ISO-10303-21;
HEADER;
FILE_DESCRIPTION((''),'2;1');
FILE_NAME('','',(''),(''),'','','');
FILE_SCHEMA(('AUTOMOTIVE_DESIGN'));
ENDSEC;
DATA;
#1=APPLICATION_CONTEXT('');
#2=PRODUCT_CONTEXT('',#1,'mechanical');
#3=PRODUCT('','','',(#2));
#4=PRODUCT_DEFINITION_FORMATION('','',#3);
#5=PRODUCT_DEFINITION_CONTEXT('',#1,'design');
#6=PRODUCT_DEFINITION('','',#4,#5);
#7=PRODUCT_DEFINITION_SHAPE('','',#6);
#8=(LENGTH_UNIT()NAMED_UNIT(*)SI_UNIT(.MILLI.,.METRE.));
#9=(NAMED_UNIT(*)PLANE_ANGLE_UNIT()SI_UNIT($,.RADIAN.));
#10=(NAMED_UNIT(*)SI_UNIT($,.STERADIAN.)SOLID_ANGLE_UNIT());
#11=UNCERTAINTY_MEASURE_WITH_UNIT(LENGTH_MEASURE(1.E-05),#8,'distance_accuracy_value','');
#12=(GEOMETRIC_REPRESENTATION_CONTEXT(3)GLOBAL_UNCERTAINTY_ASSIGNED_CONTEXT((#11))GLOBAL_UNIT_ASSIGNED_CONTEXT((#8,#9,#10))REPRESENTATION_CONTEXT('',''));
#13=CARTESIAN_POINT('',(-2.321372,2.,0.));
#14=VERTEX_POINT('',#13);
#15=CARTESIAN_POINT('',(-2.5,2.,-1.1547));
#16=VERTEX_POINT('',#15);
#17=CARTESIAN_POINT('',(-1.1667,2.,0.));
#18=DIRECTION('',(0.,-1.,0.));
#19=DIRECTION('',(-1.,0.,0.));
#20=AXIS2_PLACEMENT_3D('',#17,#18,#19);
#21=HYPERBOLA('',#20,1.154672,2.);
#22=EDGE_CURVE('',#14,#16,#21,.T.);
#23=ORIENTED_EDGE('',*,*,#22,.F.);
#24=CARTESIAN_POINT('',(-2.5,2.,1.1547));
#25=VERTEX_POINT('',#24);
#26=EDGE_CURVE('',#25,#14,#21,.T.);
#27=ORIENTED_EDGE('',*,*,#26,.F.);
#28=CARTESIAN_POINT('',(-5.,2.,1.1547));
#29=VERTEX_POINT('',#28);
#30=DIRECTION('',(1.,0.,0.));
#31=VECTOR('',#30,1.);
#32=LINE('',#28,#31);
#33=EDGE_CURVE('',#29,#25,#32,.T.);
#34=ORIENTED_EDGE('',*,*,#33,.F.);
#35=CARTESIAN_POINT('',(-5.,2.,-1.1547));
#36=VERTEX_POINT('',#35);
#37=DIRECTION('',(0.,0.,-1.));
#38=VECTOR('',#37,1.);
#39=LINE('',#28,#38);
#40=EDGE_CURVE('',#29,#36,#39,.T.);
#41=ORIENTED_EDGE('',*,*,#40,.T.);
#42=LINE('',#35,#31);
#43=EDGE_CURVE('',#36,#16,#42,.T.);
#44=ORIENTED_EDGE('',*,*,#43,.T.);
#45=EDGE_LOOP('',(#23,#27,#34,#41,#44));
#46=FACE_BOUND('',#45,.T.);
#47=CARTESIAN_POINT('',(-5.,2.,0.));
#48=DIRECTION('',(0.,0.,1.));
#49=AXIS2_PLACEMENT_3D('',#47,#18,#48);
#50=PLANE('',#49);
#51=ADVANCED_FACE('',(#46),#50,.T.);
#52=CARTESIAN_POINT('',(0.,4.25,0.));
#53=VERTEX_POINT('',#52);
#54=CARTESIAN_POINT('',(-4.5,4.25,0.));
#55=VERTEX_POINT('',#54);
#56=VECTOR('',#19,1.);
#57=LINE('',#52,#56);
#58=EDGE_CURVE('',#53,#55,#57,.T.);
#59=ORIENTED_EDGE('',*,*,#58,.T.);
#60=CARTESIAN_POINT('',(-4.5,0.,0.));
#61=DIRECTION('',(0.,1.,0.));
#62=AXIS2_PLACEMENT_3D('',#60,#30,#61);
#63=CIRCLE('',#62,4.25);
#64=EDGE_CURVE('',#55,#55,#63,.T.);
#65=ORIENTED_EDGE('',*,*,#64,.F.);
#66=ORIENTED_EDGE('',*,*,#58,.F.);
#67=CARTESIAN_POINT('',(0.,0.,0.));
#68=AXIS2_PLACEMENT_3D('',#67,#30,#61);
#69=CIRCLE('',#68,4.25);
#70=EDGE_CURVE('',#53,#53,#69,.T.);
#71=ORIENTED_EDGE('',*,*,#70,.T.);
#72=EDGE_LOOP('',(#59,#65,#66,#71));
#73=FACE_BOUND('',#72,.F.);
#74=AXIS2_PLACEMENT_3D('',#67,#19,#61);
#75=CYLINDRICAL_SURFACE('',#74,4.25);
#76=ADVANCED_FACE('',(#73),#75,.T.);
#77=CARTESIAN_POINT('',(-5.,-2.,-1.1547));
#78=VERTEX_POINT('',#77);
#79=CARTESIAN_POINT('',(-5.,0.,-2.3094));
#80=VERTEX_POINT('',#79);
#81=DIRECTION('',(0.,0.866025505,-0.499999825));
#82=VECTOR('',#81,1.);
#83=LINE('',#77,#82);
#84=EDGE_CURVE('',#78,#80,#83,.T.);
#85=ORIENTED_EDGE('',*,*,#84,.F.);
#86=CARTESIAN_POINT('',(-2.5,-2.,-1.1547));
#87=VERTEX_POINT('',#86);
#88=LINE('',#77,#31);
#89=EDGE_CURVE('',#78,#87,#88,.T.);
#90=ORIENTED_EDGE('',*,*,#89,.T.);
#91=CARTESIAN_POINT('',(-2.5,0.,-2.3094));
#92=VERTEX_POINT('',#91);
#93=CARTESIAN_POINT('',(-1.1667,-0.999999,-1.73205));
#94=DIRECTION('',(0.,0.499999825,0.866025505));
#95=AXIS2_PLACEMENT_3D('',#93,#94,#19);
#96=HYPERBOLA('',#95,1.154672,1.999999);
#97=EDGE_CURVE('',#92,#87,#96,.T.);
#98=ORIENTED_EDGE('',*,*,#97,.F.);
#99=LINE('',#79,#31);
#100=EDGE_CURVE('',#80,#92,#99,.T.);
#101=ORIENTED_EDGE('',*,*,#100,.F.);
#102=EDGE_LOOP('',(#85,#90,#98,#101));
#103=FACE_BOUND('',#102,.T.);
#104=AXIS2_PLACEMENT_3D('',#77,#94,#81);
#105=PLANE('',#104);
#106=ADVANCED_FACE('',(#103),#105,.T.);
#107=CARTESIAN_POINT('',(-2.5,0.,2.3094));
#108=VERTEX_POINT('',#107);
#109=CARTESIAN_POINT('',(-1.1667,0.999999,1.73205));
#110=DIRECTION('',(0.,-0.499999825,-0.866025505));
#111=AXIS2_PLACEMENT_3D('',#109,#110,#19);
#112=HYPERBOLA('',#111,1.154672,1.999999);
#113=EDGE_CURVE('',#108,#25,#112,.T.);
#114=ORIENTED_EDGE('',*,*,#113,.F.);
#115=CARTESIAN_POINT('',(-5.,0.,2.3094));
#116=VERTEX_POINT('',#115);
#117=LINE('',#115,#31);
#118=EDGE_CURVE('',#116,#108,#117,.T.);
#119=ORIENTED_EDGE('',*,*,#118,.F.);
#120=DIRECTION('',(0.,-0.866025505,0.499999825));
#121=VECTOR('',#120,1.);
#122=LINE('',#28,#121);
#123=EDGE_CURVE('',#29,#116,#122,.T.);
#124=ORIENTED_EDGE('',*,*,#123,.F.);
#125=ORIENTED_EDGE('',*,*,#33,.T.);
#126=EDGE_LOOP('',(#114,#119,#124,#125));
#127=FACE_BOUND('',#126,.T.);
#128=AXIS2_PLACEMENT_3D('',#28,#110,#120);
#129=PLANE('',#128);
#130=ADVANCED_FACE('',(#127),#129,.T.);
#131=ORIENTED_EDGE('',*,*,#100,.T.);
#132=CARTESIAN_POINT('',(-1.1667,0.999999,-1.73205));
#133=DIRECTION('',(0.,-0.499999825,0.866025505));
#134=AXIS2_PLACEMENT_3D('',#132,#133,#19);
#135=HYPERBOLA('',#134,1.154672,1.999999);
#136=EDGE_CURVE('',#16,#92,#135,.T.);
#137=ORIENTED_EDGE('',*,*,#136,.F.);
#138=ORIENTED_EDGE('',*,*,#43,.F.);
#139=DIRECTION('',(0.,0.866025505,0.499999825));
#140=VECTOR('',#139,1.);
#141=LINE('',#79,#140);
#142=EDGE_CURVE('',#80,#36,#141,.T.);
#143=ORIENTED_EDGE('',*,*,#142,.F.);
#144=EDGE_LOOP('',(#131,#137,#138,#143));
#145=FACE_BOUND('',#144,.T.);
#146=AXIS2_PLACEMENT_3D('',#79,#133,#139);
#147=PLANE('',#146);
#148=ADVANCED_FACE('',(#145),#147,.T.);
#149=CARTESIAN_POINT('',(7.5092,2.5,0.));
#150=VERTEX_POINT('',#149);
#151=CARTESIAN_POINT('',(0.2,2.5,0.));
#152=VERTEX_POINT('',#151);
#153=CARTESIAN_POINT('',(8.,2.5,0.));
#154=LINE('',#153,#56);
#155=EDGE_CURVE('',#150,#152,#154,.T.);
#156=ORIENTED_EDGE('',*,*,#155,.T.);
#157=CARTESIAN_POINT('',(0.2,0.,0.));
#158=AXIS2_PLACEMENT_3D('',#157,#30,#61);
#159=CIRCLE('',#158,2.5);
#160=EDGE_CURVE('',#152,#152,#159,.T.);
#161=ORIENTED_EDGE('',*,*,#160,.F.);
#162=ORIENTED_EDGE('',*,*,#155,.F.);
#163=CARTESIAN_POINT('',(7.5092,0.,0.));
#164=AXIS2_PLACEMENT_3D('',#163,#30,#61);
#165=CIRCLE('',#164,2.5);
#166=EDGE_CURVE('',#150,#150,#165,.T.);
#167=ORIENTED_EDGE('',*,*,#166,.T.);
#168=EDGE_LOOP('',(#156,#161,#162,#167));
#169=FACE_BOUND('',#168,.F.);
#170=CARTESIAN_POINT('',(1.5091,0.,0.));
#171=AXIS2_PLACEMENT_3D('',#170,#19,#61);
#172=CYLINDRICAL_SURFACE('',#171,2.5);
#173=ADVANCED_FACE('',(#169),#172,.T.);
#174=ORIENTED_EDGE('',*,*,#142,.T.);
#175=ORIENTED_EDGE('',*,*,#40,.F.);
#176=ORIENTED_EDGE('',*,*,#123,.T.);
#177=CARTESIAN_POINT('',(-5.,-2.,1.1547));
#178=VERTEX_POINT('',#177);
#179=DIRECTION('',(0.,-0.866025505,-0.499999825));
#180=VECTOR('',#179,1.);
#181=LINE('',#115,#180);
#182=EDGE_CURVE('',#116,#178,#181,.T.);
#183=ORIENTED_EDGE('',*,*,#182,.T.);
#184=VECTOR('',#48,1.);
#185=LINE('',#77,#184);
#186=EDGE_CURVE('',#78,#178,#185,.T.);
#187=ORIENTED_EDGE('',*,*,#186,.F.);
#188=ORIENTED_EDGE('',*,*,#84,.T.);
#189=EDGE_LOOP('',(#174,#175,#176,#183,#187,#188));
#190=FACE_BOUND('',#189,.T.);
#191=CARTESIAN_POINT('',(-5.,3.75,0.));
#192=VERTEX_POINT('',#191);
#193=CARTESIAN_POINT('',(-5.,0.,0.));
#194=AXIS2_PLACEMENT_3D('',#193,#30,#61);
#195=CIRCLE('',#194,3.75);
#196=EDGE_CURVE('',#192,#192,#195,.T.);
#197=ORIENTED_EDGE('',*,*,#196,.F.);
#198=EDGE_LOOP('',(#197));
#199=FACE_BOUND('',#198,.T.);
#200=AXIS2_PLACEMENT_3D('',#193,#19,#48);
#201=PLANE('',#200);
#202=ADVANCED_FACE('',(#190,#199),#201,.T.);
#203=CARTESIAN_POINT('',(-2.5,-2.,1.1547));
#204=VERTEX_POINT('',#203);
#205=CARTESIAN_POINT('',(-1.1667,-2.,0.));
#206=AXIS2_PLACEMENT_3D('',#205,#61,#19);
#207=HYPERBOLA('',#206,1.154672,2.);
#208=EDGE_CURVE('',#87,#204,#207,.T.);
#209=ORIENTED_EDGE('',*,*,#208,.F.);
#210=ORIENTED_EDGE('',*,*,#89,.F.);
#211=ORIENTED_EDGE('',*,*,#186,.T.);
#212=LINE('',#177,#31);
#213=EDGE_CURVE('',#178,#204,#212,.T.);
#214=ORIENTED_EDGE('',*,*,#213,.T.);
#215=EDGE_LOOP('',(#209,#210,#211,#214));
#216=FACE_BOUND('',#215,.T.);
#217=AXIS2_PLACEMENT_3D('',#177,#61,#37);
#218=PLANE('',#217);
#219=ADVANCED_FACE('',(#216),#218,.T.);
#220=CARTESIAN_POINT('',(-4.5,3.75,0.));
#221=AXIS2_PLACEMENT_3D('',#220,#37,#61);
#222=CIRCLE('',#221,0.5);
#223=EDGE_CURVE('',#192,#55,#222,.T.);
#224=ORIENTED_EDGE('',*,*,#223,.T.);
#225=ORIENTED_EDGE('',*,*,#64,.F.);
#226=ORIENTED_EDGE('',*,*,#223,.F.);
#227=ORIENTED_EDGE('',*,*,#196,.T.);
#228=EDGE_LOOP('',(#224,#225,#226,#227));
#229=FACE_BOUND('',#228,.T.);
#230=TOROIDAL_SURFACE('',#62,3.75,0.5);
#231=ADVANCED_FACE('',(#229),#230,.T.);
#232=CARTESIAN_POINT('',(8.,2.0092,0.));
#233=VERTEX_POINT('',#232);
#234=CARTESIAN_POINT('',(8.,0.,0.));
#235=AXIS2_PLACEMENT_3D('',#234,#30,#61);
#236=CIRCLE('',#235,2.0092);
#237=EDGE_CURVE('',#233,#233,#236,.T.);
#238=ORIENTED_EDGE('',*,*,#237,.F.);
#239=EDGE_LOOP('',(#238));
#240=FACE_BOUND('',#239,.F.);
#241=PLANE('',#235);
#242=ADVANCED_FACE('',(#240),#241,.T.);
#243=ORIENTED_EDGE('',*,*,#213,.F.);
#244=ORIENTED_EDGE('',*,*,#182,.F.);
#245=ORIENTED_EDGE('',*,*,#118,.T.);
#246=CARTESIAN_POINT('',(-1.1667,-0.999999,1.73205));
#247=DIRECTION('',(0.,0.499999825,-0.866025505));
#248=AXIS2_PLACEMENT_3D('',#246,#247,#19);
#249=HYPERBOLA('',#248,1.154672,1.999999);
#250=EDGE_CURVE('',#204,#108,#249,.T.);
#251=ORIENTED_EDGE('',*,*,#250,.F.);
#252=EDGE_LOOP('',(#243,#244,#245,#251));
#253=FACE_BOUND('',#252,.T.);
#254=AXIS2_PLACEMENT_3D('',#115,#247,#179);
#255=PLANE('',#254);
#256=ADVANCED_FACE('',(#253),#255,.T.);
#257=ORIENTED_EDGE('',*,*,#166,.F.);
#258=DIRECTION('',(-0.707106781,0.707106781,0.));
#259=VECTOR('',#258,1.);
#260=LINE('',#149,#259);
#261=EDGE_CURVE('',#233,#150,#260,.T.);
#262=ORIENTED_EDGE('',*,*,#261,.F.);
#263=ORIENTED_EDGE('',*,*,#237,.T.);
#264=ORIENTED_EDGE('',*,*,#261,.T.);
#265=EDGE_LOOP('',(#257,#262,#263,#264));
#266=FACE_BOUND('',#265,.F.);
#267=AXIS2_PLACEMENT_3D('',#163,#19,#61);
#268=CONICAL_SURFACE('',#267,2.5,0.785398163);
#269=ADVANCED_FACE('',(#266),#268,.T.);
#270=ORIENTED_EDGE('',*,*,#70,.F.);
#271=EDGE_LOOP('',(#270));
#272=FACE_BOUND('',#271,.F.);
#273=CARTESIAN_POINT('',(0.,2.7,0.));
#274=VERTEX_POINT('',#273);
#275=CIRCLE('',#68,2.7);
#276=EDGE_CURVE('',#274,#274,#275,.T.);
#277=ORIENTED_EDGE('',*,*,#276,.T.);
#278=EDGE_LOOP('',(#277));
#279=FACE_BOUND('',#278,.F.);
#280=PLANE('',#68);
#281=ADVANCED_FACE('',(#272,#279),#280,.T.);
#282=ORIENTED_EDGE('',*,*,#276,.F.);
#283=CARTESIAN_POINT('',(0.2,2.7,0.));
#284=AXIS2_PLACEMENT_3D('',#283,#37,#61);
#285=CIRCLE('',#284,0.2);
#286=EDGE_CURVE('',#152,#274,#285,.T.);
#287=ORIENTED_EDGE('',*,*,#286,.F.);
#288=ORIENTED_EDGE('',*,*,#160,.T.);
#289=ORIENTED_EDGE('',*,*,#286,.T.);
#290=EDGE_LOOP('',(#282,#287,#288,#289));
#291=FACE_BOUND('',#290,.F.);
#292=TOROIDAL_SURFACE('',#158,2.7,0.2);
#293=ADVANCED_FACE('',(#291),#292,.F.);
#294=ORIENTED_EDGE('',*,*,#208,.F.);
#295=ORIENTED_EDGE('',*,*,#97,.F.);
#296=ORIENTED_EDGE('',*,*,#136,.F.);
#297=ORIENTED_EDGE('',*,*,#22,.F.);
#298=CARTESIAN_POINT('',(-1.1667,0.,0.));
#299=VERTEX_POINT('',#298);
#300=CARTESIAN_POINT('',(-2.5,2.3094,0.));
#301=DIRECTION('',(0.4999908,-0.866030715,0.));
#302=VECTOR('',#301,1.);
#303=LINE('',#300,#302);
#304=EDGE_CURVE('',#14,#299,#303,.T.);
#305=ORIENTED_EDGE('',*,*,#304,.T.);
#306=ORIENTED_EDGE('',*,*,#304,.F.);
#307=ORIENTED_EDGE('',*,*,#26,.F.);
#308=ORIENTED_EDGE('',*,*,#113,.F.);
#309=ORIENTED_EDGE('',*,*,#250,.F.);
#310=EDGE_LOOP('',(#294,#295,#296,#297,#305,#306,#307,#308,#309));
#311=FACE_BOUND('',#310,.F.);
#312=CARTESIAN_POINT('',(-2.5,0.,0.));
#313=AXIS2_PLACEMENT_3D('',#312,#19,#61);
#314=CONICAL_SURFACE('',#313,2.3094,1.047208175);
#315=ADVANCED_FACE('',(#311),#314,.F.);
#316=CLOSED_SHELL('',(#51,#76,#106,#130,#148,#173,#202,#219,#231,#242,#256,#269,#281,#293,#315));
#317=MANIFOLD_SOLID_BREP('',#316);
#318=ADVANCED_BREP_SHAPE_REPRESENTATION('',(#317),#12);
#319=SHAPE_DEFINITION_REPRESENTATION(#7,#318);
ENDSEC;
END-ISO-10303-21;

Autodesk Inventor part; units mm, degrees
ref_plane "YZ Plane" through (0, 0, 0) normal (1, 0, 0) x (0, 1, 0)
ref_plane "XZ Plane" through (0, 0, 0) normal (0, 1, 0) x (-1, 0, 0)
sketch "Sketch1" plane through (0, 0, 0) normal (0, 0, 1) x (1, 0, 0)
  line L0 (-1.1667, 0) -> (8, 0)
  line L1 (8, 0) -> (8, 2.5)
  line L2 (8, 2.5) -> (2, 2.5)
  line L3 (2, 2.5) -> (1.5091, 2.5)
  line L4 (1.5091, 2.5) -> (0, 2.5)
  line L5 (0, 2.5) -> (0, 4.25)
  line L6 (0, 4.25) -> (-5, 4.25)
  line L7 (-5, 4.25) -> (-5, 2.3094)
  line L8 (-5, 2.3094) -> (-2.5, 2.3094)
  line L9 (-2.5, 2.3094) -> (-1.1667, 0)
  line L10 (-7.6, 0) -> (10.6, 0) projected
  line L11 (0, -0.85) -> (0, 5.1) projected
  line L12 (2, 2.5) -> (0, 2.5) construction
  dimension "d1" = 6
  dimension "d2" = 0.4909
  dimension "d3" = 5
  dimension "d4" = 2.5
  dimension "d5" = 60
  dimension "d6" = 5
  dimension "d7" = 5
  dimension "d8" = 4.6188
  dimension "d9" = 8.5
  dimension "d26" = 8
revolve "Body" add sketch "Sketch1" angle 360 about axis through (-1.1667, 0, 0) along (1, 0, 0)
sketch "Sketch2" plane through (-5, 0, 0) normal (-1, 0, 0) x (0, 0, 1)
  circle A0 centre (0, 0) radius 2.3094 projected
  line L0 (0, -5.95) -> (0, 5.95) projected
  line L1 (-5.95, 0) -> (5.95, 0) projected
  line L2 (2.3094, 0) -> (1.1547, -2)
  line L3 (1.1547, -2) -> (-1.1547, -2)
  line L4 (-1.1547, -2) -> (-2.3094, 0)
  line L5 (-2.3094, 0) -> (-1.1547, 2)
  line L6 (-1.1547, 2) -> (1.1547, 2)
  line L7 (1.1547, 2) -> (2.3094, 0)
extrude "Slot" add sketch "Sketch2" against normal up to next contours L7 A0 | A0 L2 | L6 L0 A0 | A0 L0 L3 | L0 L6 A0 | A0 L3 L0 | L4 A0 | A0 L5
fillet "Fillet1" radius 0.5 1 edges at (-5, -4.25, 0)
thread "Thread" size "M5x0.8" class "6g" standard "ISO Metric profile" length 6
chamfer "Chamfer1" distance 0.4908 distance2 0.4908 1 edges at (8, -2.5, 0) measured on face at (8, -0.6238, -0.819)
ref_plane "Work Plane1" through (29, 0, 0) normal (0, -1, 0) x (1, 0, 0)
fillet "Fillet2" radius 0.2 1 edges at (0, -2.5, 0)
equation "\"d1\" = GEL"
equation "\"d3\" = KOH"
equation "\"d4\" = INTI"
equation "\"d6\" = GD"
equation "\"d7\" = BDM"
equation "\"d8\" = 1.1547 * SW"
equation "\"d9\" = KOD"
equation "\"d26\" = NLG"
equation "\"d30\" = R"
equation "\"d17\" = RR"
equation "\"d13\" = GEL"
equation "\"d15\" = -0.5 * SPD + 0.5 * GD"
equation "\"d16\" = GUL"
equation "\"GD\" = NND"
equation "\"NLG\" = 8"
equation "\"GEL\" = 6"
equation "\"KOD\" = 8.5"
equation "\"KOH\" = 5"
equation "\"INTI\" = 2.5"
equation "\"GAL\" = 0.61345 * PTC"
equation "\"GUL\" = 0.61345 * PTC"
equation "\"BDM\" = NND"
equation "\"SW\" = 4"
equation "\"RR\" = 0.5"
equation "\"SPD\" = NND - 1.2269 * PTC"
equation "\"R\" = 0.2"
equation "\"TOA\" = 30deg"
equation "\"GD1\" = THREADDIA - 1.2269 * PTC"
equation "\"THREADDIA\" = 5"
equation "\"FAWI\" = 45deg"
equation "\"ANG\" = 120deg"
equation "\"PTC\" = 0.8"
equation "\"NND\" = 5"
equation "\"E0\" = 1.155 * SW"
properties part number "DIN 912 - M5 x 8" material "Steel, Mild"
